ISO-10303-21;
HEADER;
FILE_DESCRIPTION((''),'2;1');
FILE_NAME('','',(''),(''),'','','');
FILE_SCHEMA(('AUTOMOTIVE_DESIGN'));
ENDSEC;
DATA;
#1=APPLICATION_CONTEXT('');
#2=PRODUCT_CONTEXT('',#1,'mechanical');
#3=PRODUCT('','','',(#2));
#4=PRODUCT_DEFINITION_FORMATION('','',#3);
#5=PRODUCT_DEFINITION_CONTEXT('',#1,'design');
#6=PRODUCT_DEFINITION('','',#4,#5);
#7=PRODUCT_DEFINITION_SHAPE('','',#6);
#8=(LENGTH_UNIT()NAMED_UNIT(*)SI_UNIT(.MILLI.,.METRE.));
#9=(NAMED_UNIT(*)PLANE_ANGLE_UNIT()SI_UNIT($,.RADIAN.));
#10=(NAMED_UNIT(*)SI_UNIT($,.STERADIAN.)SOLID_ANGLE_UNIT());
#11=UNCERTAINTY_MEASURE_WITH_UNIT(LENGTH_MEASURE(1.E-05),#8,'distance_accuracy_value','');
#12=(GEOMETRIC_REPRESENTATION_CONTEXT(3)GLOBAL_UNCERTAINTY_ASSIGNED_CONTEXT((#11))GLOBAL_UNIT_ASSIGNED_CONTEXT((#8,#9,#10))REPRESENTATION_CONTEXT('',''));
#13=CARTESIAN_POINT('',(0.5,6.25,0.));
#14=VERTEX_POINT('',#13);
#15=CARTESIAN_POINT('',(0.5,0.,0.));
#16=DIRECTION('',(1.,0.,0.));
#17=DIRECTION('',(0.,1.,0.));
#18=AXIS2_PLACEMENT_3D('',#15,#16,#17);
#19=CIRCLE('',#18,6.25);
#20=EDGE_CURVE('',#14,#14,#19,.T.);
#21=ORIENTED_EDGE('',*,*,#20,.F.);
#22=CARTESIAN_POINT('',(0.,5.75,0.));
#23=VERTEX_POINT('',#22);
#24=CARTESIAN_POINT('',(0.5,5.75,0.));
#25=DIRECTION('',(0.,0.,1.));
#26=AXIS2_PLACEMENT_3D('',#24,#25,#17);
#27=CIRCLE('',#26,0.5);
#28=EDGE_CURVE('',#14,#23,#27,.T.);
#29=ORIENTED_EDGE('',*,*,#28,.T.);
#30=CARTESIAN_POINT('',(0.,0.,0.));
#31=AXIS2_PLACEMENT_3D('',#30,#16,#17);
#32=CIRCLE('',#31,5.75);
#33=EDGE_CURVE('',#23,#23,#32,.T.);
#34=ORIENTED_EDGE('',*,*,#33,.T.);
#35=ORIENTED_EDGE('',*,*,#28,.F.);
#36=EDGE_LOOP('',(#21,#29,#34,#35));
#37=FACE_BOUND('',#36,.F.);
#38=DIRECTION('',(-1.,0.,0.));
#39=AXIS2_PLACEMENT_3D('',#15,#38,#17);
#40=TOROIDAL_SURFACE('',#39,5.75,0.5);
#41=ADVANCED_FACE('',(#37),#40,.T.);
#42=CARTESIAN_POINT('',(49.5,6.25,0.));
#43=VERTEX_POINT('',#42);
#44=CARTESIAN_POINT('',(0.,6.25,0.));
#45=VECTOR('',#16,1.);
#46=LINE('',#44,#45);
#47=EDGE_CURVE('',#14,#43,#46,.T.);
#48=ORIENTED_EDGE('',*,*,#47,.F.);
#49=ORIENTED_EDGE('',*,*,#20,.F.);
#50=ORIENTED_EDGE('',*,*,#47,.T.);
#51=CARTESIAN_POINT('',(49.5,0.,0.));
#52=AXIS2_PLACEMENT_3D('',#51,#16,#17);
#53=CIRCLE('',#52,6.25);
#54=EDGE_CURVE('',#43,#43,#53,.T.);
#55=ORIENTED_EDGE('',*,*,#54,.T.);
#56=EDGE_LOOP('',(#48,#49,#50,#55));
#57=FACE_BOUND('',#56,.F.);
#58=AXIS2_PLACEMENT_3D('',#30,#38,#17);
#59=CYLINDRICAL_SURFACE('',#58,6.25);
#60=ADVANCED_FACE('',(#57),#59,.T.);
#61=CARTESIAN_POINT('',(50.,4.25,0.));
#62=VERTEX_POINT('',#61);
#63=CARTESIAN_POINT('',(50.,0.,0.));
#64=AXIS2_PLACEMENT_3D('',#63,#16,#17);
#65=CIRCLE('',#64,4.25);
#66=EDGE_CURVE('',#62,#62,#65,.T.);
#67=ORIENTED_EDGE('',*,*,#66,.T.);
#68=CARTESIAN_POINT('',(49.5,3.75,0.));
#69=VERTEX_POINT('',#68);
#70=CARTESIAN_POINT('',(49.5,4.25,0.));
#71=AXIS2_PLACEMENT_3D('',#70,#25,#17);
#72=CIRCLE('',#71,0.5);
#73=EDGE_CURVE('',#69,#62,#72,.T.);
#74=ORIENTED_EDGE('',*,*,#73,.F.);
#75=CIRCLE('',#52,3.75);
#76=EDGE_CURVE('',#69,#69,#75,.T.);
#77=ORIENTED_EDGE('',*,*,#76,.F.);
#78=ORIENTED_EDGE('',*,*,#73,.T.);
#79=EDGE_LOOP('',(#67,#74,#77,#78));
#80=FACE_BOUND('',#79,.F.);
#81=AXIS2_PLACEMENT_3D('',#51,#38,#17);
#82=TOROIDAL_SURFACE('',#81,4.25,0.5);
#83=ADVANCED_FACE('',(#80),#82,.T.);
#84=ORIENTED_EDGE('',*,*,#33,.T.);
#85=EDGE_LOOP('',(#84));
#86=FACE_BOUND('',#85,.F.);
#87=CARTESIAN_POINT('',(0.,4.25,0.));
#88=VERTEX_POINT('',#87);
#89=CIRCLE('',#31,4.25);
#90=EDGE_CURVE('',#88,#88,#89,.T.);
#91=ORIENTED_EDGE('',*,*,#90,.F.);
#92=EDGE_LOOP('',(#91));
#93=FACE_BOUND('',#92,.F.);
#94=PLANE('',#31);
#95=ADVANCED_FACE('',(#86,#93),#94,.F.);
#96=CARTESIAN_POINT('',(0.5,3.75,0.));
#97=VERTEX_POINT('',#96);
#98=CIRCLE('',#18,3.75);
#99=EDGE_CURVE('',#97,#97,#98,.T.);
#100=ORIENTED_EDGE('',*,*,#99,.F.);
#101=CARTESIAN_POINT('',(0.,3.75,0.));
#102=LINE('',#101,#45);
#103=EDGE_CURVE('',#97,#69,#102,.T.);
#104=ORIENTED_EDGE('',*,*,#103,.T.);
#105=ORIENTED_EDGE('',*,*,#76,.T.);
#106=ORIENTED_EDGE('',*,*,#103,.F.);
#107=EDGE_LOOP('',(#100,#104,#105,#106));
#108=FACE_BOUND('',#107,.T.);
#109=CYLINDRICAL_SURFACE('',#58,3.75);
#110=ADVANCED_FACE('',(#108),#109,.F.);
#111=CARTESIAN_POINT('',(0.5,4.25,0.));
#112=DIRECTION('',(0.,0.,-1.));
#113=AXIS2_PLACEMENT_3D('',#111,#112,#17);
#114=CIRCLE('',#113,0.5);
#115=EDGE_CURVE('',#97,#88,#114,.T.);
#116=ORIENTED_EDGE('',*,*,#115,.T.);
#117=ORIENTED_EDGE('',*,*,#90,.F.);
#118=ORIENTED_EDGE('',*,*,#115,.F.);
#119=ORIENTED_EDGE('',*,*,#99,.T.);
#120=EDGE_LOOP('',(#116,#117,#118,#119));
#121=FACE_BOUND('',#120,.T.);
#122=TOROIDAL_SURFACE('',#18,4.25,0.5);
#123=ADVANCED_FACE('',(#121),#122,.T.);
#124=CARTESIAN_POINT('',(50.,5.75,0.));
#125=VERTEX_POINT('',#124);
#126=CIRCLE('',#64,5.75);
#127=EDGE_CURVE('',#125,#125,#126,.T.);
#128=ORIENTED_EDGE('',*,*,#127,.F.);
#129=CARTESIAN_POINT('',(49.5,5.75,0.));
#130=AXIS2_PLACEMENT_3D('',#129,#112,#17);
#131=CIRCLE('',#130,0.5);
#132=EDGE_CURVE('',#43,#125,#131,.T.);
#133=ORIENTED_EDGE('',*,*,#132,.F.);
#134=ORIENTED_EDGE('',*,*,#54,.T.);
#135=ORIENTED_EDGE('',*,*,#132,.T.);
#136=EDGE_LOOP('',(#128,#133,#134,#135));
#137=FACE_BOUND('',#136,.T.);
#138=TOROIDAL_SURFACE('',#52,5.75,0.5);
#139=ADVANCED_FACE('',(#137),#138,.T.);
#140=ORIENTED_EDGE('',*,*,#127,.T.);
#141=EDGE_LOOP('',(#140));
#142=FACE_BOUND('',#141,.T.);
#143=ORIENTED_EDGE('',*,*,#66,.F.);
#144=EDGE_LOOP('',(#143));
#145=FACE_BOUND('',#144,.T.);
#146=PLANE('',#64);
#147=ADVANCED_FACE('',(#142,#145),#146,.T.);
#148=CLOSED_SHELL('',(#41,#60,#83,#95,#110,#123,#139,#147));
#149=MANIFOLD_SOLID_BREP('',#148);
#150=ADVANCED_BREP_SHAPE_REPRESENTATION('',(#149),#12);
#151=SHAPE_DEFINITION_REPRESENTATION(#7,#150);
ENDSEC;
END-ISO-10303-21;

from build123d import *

# Parameters (mm, degrees)
F0_R     = 6.25
F0_R_2   = 3.75
F1_DEPTH = 50
F2_R     = 0.5


with BuildPart() as f1:
    # F0 (on Right) → F1 (new body)
    with BuildSketch(Plane.YZ):
        Circle(F0_R)
        Circle(F0_R_2, mode=Mode.SUBTRACT)
    extrude(amount=F1_DEPTH)

    # F2
    f2_edges = [f1.edges().sort_by_distance(p)[0] for p in [
        (0, -6.25, 0),
        (0, -3.75, 0),
        (50, -6.25, 0),
        (50, -3.75, 0),
    ]]
    fillet(f2_edges, radius=F2_R)


solid = f1.part
